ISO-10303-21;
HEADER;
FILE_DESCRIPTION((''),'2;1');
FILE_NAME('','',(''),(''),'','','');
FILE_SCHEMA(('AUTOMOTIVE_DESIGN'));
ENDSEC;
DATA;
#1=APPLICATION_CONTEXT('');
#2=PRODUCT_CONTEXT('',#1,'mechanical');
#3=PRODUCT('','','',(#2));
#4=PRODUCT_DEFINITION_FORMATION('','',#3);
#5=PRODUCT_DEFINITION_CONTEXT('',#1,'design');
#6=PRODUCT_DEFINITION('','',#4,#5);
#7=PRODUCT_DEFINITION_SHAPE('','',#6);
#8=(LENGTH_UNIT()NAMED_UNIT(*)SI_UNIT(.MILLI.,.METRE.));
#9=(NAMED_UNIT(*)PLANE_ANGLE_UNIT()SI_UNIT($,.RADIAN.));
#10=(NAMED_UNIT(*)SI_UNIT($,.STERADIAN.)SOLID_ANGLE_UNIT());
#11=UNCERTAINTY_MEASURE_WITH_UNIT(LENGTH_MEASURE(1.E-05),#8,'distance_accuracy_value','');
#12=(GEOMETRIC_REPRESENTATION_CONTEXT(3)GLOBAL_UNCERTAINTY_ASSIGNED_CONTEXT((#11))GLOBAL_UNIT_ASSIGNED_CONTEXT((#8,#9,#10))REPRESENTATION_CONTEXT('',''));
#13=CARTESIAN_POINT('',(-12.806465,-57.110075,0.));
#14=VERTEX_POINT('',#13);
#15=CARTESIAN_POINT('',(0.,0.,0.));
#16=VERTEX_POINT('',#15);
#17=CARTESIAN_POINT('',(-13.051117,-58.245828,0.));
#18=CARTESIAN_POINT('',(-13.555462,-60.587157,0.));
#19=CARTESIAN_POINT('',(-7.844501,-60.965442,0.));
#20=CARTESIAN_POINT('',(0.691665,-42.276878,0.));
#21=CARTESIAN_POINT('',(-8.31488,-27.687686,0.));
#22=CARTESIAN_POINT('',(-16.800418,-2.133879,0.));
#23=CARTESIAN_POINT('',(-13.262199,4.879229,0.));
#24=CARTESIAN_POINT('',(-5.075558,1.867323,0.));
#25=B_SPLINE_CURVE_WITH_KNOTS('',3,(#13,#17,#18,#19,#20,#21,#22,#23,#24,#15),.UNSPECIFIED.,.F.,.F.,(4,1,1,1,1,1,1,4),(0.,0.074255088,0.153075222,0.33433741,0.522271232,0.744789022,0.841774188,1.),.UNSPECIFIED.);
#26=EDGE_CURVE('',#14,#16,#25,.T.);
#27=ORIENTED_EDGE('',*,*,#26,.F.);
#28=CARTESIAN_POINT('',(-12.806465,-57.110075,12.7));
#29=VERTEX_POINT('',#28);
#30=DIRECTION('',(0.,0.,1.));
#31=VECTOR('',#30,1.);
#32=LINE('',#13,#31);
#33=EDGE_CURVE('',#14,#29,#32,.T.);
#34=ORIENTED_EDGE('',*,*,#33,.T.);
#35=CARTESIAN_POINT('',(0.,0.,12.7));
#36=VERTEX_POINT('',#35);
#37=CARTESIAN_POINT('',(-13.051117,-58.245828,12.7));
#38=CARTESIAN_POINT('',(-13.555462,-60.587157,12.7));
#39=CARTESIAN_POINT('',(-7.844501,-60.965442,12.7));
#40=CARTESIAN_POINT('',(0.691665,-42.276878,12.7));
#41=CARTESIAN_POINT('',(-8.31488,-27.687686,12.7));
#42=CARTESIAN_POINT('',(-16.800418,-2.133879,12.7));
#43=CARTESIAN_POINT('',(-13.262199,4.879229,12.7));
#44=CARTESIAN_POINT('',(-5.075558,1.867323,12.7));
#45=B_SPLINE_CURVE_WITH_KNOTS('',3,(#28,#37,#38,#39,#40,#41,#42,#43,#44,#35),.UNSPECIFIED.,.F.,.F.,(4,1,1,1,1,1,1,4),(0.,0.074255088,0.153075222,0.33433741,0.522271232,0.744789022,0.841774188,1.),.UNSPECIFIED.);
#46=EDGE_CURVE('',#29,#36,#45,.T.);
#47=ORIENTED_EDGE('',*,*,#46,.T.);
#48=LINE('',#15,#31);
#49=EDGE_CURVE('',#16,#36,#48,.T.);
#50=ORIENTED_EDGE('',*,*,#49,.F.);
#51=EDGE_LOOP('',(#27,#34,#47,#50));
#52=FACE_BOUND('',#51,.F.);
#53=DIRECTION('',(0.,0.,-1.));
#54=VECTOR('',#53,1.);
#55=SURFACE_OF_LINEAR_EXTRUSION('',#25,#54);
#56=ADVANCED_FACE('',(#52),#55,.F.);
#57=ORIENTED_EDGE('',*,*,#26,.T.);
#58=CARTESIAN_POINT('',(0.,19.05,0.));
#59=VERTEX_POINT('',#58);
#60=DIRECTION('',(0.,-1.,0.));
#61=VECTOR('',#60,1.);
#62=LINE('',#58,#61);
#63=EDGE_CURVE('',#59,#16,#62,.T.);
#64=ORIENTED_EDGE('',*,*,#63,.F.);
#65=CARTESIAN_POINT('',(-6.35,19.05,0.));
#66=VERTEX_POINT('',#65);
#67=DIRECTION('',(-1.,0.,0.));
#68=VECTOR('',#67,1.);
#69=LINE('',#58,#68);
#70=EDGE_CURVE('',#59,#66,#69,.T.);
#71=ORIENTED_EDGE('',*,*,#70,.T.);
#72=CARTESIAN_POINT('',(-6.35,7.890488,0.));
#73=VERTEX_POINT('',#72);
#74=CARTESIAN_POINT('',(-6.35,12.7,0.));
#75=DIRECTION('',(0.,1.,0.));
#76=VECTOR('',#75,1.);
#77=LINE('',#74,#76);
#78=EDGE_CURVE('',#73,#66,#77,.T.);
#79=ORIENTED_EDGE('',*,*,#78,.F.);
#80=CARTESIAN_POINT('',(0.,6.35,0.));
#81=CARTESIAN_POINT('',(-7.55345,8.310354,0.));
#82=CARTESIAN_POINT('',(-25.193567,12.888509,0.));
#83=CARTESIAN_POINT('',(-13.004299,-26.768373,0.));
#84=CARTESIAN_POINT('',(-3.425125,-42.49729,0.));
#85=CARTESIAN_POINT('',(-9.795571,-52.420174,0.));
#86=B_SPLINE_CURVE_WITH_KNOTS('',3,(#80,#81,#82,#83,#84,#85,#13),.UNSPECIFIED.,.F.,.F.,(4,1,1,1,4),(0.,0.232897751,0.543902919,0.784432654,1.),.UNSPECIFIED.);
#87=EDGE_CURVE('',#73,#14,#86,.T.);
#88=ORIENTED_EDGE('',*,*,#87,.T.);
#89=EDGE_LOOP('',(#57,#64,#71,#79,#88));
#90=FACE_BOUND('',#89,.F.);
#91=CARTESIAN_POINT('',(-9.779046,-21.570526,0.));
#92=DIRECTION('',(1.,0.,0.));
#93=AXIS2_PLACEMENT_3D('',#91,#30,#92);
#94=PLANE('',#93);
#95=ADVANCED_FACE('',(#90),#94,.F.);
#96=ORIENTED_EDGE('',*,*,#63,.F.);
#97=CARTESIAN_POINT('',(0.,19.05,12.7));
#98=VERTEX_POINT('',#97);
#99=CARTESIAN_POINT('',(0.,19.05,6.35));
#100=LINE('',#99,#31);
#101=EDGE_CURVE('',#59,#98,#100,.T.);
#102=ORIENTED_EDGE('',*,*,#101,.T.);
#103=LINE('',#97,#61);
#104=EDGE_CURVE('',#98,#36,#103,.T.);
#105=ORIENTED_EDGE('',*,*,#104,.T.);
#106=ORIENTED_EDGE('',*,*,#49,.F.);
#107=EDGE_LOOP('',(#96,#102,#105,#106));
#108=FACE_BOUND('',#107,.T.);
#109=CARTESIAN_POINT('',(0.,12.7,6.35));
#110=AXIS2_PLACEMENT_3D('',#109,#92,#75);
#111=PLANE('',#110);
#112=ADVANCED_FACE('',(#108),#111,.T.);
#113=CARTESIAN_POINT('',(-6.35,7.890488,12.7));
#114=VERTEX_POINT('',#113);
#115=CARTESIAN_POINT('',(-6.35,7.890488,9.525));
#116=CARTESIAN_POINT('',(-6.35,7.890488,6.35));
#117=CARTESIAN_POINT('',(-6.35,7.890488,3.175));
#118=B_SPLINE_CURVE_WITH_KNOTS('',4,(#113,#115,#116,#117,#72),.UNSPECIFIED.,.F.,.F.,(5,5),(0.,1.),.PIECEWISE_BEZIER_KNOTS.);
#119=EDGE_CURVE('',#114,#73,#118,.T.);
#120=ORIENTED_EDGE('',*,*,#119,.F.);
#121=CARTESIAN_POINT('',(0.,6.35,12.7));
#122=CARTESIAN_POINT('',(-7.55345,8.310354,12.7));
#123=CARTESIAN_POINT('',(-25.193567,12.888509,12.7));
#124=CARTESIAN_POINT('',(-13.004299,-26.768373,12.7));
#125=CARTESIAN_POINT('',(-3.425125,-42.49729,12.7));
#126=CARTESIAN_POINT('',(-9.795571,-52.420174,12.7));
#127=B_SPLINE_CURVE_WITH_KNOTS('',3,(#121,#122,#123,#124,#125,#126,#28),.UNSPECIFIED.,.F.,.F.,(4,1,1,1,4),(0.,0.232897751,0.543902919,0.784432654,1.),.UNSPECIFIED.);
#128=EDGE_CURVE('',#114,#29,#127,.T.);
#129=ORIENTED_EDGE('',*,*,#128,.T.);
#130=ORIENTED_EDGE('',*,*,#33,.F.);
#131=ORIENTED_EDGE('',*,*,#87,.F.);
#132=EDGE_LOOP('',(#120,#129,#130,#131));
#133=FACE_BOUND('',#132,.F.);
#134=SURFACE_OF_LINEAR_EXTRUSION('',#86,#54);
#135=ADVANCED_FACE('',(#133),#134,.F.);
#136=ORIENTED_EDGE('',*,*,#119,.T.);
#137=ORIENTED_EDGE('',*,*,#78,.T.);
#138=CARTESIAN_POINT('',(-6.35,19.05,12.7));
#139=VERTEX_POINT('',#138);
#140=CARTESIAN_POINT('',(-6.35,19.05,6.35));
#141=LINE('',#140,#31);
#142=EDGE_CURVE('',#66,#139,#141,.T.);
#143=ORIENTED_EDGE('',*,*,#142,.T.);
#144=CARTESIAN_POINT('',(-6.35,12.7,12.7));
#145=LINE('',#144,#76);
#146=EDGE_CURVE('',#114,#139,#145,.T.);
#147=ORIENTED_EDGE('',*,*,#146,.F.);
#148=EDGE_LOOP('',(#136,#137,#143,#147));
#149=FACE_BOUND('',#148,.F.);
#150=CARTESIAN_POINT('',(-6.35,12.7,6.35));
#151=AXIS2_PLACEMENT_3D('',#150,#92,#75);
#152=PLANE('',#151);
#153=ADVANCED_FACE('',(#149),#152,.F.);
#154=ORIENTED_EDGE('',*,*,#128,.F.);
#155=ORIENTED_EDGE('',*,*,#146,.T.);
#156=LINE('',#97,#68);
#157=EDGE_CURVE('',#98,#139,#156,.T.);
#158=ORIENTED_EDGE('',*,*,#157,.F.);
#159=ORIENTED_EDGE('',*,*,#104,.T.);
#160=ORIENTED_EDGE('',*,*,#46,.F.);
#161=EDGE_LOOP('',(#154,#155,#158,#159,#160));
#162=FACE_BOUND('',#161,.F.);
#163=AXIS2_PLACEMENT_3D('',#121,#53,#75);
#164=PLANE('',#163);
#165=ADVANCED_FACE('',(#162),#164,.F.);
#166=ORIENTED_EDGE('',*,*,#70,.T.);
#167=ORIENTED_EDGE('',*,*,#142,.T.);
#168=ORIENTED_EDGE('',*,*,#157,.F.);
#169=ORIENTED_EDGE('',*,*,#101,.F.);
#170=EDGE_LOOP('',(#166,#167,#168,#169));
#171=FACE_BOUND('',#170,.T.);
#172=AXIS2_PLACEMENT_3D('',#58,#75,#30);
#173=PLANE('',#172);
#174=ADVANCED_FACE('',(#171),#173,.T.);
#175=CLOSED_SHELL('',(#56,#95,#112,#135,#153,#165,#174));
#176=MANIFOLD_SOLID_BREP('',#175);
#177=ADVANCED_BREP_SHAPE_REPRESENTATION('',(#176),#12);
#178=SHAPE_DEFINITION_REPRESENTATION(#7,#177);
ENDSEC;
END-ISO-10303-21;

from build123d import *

# Parameters (mm, degrees)
F1_DEPTH = 12.7
F2_W     = 12.7
F2_H     = 12.7
F3_DEPTH = 6.35


with BuildPart() as f1:
    # F0 (on Top) → F1 (new body)
    with BuildSketch(Plane.XY):
        with BuildLine():
            add(Edge.make_bspline(
                [(-12.806464918, -57.1100749075), (-13.0511171053, -58.2458277794), (-13.5554621753, -60.5871571905), (-7.8445014496, -60.9654420686), (0.6916654544, -42.2768781505), (-8.3148797468, -27.6876864149), (-16.8004178311, -2.1338792048), (-13.2621993622, 4.8792293647), (-5.0755576482, 1.8673230015), (0, 0)],
                knots=[0, 0, 0, 0, 0.0742550885, 0.1530752217, 0.3343374095, 0.5222712322, 0.7447890218, 0.8417741881, 1, 1, 1, 1], degree=3))
            Line((0, 0), (0, 6.35))
            add(Edge.make_bspline(
                [(0, 6.35), (-7.5534499519, 8.3103537608), (-25.1935665486, 12.8885093231), (-13.0042988029, -26.7683728201), (-3.4251245492, -42.4972898208), (-9.7955705443, -52.4201744592), (-12.806464918, -57.1100749075)],
                knots=[0, 0, 0, 0, 0.2328977508, 0.5439029192, 0.7844326542, 1, 1, 1, 1], degree=3))
        make_face()
    extrude(amount=F1_DEPTH)

    # F2 (on face) → F3 (join)
    with BuildSketch(Plane.YZ):
        with Locations((12.7, 6.35)):
            Rectangle(F2_W, F2_H)
    extrude(amount=-F3_DEPTH)


solid = f1.part
